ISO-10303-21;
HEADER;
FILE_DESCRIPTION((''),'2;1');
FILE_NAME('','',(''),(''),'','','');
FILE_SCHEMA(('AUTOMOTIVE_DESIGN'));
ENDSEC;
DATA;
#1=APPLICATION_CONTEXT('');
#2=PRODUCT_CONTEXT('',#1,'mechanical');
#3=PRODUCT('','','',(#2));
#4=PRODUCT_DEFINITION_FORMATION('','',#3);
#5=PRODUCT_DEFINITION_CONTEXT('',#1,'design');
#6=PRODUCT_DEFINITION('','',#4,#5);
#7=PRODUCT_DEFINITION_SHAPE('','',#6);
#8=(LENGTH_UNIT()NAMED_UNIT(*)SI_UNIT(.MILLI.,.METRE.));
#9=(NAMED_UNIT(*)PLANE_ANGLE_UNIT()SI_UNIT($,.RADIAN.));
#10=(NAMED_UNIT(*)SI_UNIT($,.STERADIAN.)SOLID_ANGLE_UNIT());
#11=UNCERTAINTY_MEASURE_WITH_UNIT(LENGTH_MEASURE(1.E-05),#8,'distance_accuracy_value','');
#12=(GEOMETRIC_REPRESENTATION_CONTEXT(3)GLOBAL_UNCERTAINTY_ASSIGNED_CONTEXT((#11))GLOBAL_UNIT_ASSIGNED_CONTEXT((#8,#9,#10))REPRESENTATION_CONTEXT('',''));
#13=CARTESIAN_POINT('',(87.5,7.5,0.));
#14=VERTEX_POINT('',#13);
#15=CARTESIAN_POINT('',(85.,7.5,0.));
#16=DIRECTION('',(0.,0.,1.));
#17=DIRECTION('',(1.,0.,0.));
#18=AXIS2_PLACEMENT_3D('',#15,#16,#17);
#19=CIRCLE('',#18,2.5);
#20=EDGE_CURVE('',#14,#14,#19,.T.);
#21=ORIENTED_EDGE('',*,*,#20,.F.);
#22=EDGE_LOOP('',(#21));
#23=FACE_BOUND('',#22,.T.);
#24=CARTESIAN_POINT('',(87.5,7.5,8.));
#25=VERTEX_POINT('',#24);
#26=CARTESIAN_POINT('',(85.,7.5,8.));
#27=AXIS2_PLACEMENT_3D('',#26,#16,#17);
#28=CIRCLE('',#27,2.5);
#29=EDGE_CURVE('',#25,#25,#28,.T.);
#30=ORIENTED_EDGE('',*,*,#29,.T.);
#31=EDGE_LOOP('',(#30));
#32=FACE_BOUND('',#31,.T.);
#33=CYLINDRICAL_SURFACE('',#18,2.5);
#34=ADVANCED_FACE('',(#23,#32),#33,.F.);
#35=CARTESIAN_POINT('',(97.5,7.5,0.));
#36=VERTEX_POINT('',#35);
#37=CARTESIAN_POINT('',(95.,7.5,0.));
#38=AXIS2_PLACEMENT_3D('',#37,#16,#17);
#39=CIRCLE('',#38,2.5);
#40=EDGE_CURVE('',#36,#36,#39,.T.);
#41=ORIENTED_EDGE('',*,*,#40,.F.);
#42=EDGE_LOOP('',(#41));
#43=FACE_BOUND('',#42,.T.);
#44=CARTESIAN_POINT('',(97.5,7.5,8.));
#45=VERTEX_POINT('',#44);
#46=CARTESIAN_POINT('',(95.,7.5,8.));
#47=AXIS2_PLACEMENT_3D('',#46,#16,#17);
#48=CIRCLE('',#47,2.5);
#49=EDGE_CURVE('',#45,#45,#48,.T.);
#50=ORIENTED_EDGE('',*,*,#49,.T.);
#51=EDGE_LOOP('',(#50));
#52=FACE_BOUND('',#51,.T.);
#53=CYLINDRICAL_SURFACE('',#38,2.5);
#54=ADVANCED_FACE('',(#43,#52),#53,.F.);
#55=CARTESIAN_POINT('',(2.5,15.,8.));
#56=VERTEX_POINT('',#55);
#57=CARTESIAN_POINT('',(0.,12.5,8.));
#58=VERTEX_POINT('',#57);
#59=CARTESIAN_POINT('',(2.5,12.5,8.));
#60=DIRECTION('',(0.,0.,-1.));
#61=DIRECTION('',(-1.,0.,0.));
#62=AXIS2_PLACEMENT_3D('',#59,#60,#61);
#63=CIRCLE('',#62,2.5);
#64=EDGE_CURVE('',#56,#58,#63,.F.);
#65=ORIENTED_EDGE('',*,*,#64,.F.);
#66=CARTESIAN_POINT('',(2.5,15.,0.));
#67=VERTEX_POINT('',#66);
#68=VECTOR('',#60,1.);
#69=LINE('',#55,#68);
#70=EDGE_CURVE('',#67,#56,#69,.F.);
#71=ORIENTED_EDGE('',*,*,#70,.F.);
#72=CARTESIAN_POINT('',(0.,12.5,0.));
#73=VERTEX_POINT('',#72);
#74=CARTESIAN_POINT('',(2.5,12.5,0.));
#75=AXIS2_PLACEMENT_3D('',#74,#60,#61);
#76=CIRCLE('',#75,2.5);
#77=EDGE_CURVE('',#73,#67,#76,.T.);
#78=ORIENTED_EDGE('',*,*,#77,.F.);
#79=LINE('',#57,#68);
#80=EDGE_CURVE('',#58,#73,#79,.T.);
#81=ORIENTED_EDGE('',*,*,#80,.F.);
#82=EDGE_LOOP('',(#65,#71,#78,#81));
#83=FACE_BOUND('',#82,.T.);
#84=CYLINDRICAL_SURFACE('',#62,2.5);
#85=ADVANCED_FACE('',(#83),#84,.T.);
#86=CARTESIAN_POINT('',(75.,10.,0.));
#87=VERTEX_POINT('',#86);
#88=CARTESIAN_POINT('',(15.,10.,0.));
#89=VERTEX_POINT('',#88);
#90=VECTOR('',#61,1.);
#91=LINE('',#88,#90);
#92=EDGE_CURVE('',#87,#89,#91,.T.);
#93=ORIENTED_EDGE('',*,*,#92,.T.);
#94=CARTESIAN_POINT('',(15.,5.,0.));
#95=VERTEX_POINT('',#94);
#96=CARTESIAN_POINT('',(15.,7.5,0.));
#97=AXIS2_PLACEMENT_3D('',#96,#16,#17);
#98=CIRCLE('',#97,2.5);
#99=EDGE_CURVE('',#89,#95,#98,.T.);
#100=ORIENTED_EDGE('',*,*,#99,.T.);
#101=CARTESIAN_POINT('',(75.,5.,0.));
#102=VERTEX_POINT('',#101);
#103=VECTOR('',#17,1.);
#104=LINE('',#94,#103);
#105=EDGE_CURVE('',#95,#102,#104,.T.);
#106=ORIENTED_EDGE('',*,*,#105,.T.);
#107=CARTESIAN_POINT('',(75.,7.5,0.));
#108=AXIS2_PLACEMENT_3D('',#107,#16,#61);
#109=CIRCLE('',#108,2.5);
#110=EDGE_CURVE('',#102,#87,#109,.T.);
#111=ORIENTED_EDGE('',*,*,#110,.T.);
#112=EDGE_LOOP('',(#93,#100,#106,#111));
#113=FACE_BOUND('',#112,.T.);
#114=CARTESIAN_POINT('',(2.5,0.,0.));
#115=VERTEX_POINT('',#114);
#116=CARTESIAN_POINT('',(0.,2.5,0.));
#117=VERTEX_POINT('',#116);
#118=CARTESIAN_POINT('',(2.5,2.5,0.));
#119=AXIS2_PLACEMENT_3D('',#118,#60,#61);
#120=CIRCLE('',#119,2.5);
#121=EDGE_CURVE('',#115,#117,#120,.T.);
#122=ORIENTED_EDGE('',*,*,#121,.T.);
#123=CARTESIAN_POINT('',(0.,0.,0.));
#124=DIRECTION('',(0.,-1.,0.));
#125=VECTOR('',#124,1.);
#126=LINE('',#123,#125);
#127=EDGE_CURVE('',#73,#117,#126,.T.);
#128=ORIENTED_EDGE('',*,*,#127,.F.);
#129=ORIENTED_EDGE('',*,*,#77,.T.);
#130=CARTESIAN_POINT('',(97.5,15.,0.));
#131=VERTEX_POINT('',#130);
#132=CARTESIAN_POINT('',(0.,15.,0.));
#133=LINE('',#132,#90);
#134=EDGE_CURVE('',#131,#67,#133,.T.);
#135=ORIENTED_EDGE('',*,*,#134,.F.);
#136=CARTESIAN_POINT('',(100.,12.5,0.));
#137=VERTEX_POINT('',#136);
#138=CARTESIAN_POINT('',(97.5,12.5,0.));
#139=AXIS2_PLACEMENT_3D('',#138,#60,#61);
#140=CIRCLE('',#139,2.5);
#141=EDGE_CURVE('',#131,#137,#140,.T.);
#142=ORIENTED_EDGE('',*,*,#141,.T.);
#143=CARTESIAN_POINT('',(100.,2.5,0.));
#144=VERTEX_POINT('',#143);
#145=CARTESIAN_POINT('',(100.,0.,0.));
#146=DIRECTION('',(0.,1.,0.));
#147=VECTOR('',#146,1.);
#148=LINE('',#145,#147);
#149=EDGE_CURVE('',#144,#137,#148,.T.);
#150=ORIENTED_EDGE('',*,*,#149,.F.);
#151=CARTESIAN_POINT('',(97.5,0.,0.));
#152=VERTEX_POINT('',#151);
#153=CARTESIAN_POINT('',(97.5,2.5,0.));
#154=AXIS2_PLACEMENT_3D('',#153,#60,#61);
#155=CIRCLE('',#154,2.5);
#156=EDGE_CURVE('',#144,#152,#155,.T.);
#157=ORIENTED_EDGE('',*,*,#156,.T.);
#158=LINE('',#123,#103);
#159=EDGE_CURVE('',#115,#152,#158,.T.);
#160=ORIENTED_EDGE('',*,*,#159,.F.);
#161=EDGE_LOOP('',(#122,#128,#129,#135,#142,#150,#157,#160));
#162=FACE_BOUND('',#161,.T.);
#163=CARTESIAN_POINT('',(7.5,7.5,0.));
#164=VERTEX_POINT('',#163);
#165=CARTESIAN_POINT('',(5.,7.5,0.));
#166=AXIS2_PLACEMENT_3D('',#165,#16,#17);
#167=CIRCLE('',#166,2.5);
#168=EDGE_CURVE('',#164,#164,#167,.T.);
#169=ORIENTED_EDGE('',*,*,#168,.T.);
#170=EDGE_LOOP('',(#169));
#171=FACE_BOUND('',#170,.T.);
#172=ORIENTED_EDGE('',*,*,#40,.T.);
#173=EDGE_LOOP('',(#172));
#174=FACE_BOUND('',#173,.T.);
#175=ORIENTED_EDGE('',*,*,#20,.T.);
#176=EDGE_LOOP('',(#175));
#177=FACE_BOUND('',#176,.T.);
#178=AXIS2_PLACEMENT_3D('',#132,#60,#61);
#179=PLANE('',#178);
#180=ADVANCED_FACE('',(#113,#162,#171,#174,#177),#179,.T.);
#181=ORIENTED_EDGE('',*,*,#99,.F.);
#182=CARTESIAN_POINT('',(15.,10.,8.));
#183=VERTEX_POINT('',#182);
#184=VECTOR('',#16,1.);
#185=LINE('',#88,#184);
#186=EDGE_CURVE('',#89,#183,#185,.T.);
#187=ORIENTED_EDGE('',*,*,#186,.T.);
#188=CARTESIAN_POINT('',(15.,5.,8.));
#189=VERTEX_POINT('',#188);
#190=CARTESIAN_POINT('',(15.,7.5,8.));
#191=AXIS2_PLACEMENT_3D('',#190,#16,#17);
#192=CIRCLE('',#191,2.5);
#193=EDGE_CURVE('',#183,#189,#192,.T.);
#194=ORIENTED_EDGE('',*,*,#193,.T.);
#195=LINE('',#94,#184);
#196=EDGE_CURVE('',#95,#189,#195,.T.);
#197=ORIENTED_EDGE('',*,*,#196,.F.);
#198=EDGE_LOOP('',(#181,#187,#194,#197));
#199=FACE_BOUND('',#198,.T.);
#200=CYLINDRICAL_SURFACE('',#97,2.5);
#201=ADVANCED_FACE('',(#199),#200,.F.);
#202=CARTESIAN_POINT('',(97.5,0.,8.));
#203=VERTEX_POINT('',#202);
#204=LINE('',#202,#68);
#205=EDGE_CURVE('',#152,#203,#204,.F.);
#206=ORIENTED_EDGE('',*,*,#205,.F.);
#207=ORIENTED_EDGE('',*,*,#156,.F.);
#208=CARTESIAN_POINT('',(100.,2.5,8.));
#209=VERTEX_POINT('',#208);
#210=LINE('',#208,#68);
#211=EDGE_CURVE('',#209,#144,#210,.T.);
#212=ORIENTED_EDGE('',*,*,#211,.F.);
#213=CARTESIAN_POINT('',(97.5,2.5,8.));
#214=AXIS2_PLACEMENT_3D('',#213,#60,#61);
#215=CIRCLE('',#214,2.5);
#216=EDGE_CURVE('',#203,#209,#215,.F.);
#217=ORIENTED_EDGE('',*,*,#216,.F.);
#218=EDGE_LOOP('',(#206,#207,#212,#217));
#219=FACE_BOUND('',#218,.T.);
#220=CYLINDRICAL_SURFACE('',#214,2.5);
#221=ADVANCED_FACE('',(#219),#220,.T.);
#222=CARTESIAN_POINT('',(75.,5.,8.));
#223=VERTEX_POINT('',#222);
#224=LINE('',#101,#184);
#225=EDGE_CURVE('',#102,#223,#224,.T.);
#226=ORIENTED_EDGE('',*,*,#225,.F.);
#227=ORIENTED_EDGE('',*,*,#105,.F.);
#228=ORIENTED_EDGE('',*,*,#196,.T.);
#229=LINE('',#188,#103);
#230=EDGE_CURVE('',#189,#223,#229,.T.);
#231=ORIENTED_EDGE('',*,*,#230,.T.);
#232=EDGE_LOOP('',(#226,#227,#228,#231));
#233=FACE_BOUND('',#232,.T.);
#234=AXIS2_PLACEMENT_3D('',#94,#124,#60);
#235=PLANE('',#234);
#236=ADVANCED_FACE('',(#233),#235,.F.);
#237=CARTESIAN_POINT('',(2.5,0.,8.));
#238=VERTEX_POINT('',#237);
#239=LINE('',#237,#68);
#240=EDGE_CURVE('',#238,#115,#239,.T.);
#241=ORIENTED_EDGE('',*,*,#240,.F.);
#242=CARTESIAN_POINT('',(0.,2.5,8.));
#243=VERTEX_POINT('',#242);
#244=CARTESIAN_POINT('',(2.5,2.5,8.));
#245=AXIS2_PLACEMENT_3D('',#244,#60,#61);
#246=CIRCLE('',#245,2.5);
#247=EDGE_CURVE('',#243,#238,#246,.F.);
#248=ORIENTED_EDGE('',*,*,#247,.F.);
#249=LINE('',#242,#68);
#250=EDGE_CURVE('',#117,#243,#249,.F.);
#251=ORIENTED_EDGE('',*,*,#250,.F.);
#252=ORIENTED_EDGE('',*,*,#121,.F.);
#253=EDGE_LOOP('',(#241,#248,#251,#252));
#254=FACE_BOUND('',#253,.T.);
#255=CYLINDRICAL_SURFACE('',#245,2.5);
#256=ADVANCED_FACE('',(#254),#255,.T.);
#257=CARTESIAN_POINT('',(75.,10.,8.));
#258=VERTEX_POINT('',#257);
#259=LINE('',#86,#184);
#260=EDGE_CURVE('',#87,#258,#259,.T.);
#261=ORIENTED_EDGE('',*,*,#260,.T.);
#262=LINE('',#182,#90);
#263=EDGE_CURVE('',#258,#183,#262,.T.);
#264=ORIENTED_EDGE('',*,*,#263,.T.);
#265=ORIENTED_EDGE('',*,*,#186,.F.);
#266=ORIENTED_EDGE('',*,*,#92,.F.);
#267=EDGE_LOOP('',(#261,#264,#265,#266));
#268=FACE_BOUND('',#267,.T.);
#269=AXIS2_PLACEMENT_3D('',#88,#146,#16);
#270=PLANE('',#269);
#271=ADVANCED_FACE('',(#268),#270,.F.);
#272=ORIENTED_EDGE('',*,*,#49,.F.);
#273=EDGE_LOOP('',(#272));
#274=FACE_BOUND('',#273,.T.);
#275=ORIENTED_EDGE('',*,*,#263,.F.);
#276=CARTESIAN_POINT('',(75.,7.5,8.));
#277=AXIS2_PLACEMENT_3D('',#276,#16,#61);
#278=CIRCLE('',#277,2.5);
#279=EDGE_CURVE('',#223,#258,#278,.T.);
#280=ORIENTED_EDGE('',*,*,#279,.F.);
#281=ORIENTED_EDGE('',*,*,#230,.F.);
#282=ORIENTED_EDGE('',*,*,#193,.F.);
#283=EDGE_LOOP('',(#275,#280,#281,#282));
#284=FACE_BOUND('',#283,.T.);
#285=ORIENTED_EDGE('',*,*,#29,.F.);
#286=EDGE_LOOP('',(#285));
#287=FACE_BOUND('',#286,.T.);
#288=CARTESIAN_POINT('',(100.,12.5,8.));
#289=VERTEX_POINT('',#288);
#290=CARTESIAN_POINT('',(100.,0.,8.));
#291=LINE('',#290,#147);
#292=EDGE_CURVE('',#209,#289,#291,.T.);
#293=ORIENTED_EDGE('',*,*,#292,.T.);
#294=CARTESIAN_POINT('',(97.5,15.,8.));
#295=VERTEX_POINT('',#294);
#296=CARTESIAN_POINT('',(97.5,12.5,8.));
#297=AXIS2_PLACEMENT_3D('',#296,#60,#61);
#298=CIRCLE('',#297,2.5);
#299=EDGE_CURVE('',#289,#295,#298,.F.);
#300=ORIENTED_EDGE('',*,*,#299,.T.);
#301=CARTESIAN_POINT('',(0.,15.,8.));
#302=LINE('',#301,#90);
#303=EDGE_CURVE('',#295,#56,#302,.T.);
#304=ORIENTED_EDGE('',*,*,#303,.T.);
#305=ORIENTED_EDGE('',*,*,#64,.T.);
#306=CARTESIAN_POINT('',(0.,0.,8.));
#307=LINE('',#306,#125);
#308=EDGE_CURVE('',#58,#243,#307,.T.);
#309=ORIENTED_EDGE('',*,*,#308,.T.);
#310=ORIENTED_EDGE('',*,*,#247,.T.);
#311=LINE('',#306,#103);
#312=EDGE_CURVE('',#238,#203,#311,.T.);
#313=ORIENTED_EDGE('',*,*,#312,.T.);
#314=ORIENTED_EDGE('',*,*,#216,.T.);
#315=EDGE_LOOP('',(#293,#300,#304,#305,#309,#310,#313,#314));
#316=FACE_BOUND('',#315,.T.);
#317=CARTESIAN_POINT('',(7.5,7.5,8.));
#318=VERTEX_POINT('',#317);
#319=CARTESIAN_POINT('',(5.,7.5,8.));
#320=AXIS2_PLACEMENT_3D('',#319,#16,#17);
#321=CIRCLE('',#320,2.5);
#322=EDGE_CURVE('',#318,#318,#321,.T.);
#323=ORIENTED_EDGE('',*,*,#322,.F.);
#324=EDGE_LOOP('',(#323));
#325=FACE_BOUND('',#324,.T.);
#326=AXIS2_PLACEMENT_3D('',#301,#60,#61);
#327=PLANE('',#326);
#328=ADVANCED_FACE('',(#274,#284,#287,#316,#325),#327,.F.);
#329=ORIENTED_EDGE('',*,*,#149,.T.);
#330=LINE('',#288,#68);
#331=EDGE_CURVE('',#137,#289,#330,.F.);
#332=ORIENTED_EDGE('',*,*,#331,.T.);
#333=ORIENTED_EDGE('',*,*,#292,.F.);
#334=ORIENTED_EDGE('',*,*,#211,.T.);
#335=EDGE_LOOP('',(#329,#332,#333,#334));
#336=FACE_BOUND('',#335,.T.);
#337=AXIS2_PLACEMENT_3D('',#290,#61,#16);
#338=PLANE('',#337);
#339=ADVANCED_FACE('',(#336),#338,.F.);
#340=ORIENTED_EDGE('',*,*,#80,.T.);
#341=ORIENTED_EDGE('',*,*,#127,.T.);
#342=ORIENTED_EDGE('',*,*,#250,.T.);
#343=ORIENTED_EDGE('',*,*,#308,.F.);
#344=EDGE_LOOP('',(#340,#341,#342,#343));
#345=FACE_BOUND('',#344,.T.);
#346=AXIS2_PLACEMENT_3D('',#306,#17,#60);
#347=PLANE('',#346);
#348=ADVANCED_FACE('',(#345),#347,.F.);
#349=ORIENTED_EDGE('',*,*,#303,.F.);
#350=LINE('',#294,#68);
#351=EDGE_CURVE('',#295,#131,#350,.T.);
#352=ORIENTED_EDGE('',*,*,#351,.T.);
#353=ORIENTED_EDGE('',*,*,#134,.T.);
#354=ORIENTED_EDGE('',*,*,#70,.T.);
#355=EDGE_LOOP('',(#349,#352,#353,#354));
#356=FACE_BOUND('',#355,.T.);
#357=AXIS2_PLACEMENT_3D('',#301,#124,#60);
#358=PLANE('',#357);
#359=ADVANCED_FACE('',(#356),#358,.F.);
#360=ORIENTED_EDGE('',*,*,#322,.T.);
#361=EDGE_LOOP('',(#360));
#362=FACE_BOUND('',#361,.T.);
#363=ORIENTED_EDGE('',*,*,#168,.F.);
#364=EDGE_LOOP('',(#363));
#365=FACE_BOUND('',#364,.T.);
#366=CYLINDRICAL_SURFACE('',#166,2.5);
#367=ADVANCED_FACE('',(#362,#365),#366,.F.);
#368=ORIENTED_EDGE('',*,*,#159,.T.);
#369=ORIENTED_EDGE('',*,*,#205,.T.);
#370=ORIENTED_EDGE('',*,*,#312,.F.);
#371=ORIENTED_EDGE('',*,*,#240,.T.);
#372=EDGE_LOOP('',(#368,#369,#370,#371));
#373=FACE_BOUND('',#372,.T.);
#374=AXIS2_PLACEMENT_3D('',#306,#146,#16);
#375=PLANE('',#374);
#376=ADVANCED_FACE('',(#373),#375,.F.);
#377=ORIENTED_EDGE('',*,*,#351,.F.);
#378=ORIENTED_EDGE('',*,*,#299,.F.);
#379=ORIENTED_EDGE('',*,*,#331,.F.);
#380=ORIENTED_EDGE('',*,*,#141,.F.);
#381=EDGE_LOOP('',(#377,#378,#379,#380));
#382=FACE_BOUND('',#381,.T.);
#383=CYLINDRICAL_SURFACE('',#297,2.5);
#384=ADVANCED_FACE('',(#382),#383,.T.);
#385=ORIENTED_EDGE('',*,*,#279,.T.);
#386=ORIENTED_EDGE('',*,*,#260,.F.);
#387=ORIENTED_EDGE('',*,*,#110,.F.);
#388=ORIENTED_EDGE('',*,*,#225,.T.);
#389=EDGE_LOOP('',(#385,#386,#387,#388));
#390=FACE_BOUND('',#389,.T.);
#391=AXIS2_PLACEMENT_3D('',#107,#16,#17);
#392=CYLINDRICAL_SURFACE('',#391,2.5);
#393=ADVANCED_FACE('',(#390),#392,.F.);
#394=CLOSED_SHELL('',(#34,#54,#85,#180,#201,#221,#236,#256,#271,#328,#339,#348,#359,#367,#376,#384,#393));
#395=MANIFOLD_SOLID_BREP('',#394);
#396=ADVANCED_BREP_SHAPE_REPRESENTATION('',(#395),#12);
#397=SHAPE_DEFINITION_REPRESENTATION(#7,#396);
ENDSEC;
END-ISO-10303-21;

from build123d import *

# Parameters (mm, degrees)
SKETCH_1_W          = 100
SKETCH_1_H          = 15
EXTRUDE_1_DEPTH     = 8
SKETCH_2_R          = 2.5
CUT_EXTRUDE_2_DEPTH = 8
FILLET_2_R          = 2.5


with BuildPart() as part:
    # Эскиз1 → Вытянуть1 (new body)
    with BuildSketch(Plane.XY):
        with Locations((50, 7.5)):
            Rectangle(SKETCH_1_W, SKETCH_1_H)
    extrude(amount=EXTRUDE_1_DEPTH)

    # Эскиз2 → Вытянуть2 (cut)
    with BuildSketch(Plane.XY.offset(8)):
        with Locations((5, 7.5)):
            Circle(SKETCH_2_R)
        with Locations((95, 7.5)):
            Circle(SKETCH_2_R)
        with Locations((85, 7.5)):
            Circle(SKETCH_2_R)
        with BuildLine():
            Line((15, 10), (75, 10))
            ThreePointArc((75, 10), (77.5, 7.5), (75, 5))
            Line((75, 5), (15, 5))
            ThreePointArc((15, 5), (12.5, 7.5), (15, 10))
        make_face()
    extrude(amount=-CUT_EXTRUDE_2_DEPTH, mode=Mode.SUBTRACT)

    # Скругление2
    fillet_2_edges = [part.edges().sort_by_distance(p)[0] for p in [
        (0, 15, 4),
        (100, 15, 4),
        (100, 0, 4),
        (0, 0, 4),
    ]]
    fillet(fillet_2_edges, radius=FILLET_2_R)


solid = part.part
